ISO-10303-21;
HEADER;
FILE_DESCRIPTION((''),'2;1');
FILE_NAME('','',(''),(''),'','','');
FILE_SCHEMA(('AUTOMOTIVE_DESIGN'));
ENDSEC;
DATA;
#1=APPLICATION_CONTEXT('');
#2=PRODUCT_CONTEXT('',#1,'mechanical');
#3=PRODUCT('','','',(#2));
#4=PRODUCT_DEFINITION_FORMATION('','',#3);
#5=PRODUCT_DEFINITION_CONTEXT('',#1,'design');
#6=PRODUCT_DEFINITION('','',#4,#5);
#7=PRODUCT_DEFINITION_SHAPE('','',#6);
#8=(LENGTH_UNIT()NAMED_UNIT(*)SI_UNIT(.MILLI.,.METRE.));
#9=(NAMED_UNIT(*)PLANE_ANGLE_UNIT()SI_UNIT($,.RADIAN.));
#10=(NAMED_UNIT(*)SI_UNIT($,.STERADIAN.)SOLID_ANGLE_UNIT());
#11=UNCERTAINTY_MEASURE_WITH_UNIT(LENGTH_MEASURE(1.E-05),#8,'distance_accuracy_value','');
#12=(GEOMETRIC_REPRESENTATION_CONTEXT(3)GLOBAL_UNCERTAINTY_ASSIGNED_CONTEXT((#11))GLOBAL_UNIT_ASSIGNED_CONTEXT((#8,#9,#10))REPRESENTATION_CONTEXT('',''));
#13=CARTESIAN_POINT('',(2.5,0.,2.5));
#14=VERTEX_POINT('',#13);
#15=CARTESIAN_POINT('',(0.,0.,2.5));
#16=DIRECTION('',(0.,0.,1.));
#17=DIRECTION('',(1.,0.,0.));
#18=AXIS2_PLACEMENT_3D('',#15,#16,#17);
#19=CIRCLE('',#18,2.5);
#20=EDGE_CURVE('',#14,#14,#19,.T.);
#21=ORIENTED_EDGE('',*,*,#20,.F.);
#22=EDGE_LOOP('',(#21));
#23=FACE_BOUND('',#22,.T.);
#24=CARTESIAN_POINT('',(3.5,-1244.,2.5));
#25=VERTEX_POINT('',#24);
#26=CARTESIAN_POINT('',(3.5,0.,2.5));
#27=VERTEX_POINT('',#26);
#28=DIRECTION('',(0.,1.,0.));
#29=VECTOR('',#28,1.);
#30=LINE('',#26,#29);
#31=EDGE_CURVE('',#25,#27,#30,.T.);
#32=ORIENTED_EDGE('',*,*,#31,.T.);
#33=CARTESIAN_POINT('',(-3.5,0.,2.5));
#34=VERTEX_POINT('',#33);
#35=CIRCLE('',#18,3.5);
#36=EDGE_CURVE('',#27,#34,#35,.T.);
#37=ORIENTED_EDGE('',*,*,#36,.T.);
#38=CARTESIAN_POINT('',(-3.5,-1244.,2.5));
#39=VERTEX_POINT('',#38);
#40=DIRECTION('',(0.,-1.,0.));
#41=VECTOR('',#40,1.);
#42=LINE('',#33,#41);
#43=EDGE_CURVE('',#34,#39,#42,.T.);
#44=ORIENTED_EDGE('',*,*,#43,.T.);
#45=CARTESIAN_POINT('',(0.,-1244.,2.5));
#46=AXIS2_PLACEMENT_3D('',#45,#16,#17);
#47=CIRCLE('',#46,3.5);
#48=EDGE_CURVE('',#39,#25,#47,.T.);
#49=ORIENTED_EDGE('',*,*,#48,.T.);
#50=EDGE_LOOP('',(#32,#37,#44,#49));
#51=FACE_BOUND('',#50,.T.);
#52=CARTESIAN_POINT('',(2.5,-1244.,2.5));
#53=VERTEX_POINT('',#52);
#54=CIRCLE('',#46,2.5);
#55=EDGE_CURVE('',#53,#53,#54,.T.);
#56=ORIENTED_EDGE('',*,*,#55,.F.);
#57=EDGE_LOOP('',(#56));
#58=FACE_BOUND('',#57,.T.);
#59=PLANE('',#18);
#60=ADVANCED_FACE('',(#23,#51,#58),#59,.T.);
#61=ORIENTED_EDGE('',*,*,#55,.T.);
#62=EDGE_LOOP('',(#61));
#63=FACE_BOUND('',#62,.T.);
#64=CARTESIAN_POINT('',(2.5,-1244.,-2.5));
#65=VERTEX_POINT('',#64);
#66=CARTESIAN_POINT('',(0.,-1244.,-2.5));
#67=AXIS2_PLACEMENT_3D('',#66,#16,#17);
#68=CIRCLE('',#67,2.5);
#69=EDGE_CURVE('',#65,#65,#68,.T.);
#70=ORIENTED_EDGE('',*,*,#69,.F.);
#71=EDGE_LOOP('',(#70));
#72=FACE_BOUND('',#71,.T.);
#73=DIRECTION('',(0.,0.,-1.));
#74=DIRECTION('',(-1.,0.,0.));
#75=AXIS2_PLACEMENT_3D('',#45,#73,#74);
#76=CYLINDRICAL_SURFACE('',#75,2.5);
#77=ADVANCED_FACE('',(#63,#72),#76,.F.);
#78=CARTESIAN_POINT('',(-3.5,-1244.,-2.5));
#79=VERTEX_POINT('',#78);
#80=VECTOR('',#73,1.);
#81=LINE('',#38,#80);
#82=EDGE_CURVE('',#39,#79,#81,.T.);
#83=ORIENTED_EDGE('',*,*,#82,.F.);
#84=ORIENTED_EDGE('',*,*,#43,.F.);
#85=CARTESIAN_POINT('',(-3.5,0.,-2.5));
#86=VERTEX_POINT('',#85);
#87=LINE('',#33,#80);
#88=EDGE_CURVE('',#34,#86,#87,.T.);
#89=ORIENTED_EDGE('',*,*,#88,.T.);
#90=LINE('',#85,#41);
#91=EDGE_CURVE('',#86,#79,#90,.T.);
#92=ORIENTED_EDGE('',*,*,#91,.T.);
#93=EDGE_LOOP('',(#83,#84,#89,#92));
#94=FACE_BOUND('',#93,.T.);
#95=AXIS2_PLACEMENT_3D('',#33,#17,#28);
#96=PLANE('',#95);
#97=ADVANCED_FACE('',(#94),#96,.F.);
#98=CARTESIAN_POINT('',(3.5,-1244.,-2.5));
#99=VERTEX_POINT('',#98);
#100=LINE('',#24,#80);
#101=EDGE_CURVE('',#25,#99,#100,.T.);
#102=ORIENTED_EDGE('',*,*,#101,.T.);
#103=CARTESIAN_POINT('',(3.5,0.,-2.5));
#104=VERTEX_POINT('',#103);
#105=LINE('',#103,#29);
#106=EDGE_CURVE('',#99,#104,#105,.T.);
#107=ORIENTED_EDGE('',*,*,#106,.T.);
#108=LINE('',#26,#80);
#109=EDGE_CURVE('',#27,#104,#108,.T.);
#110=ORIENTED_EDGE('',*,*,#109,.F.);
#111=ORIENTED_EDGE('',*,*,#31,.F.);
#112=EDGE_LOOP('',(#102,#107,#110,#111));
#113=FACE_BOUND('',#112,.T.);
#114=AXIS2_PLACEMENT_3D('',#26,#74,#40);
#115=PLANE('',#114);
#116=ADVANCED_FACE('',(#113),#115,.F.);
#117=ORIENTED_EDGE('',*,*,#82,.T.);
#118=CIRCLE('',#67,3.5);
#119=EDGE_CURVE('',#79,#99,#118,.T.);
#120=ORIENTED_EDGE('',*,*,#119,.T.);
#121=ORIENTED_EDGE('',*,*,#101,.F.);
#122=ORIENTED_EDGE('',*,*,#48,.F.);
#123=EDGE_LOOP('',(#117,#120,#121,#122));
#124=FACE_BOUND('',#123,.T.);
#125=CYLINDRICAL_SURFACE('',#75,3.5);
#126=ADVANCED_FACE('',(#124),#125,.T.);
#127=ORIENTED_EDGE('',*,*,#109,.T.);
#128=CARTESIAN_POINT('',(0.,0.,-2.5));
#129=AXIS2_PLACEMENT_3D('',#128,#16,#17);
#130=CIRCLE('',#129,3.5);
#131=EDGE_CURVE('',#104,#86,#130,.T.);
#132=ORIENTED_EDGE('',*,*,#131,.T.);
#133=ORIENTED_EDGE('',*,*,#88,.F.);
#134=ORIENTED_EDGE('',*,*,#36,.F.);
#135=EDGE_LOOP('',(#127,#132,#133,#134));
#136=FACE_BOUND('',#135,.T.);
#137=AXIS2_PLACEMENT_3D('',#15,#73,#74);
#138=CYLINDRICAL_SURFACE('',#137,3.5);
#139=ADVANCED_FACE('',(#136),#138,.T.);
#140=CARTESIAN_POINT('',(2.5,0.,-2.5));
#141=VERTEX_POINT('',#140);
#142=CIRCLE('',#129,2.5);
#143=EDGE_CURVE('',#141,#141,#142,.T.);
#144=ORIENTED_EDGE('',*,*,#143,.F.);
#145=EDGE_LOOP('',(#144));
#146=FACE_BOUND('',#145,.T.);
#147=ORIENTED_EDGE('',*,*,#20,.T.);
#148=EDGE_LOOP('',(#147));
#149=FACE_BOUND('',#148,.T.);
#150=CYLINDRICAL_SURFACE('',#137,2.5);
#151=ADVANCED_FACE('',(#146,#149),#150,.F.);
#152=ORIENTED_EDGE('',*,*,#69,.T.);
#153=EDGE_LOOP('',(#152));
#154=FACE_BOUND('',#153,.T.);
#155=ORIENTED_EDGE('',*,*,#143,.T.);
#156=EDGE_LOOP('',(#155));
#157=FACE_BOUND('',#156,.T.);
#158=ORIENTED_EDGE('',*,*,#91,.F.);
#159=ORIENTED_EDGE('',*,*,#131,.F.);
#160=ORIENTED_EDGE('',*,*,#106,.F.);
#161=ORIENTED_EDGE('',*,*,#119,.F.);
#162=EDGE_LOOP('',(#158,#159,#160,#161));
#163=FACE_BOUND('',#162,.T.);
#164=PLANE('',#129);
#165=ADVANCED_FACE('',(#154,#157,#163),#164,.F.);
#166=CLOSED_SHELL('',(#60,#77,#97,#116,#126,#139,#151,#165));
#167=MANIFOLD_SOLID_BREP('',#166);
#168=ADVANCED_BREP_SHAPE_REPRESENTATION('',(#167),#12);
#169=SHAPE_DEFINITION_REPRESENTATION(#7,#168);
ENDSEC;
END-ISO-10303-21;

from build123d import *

# Parameters (mm, degrees)
SKETCH2_R           = 2.5
BOSS_EXTRUDE1_DEPTH = 2.5


with BuildPart() as part:
    # Sketch2 → Boss-Extrude1 (new body, symmetric)
    with BuildSketch(Plane.XY):
        with BuildLine():
            Line((3.5, 0), (3.5, -1244))
            ThreePointArc((3.5, -1244), (0, -1247.5), (-3.5, -1244))
            Line((-3.5, -1244), (-3.5, 0))
            ThreePointArc((-3.5, 0), (0, 3.5), (3.5, 0))
        make_face()
        Circle(SKETCH2_R, mode=Mode.SUBTRACT)
        with Locations((0, -1244)):
            Circle(SKETCH2_R, mode=Mode.SUBTRACT)
    extrude(amount=BOSS_EXTRUDE1_DEPTH, both=True)


solid = part.part
